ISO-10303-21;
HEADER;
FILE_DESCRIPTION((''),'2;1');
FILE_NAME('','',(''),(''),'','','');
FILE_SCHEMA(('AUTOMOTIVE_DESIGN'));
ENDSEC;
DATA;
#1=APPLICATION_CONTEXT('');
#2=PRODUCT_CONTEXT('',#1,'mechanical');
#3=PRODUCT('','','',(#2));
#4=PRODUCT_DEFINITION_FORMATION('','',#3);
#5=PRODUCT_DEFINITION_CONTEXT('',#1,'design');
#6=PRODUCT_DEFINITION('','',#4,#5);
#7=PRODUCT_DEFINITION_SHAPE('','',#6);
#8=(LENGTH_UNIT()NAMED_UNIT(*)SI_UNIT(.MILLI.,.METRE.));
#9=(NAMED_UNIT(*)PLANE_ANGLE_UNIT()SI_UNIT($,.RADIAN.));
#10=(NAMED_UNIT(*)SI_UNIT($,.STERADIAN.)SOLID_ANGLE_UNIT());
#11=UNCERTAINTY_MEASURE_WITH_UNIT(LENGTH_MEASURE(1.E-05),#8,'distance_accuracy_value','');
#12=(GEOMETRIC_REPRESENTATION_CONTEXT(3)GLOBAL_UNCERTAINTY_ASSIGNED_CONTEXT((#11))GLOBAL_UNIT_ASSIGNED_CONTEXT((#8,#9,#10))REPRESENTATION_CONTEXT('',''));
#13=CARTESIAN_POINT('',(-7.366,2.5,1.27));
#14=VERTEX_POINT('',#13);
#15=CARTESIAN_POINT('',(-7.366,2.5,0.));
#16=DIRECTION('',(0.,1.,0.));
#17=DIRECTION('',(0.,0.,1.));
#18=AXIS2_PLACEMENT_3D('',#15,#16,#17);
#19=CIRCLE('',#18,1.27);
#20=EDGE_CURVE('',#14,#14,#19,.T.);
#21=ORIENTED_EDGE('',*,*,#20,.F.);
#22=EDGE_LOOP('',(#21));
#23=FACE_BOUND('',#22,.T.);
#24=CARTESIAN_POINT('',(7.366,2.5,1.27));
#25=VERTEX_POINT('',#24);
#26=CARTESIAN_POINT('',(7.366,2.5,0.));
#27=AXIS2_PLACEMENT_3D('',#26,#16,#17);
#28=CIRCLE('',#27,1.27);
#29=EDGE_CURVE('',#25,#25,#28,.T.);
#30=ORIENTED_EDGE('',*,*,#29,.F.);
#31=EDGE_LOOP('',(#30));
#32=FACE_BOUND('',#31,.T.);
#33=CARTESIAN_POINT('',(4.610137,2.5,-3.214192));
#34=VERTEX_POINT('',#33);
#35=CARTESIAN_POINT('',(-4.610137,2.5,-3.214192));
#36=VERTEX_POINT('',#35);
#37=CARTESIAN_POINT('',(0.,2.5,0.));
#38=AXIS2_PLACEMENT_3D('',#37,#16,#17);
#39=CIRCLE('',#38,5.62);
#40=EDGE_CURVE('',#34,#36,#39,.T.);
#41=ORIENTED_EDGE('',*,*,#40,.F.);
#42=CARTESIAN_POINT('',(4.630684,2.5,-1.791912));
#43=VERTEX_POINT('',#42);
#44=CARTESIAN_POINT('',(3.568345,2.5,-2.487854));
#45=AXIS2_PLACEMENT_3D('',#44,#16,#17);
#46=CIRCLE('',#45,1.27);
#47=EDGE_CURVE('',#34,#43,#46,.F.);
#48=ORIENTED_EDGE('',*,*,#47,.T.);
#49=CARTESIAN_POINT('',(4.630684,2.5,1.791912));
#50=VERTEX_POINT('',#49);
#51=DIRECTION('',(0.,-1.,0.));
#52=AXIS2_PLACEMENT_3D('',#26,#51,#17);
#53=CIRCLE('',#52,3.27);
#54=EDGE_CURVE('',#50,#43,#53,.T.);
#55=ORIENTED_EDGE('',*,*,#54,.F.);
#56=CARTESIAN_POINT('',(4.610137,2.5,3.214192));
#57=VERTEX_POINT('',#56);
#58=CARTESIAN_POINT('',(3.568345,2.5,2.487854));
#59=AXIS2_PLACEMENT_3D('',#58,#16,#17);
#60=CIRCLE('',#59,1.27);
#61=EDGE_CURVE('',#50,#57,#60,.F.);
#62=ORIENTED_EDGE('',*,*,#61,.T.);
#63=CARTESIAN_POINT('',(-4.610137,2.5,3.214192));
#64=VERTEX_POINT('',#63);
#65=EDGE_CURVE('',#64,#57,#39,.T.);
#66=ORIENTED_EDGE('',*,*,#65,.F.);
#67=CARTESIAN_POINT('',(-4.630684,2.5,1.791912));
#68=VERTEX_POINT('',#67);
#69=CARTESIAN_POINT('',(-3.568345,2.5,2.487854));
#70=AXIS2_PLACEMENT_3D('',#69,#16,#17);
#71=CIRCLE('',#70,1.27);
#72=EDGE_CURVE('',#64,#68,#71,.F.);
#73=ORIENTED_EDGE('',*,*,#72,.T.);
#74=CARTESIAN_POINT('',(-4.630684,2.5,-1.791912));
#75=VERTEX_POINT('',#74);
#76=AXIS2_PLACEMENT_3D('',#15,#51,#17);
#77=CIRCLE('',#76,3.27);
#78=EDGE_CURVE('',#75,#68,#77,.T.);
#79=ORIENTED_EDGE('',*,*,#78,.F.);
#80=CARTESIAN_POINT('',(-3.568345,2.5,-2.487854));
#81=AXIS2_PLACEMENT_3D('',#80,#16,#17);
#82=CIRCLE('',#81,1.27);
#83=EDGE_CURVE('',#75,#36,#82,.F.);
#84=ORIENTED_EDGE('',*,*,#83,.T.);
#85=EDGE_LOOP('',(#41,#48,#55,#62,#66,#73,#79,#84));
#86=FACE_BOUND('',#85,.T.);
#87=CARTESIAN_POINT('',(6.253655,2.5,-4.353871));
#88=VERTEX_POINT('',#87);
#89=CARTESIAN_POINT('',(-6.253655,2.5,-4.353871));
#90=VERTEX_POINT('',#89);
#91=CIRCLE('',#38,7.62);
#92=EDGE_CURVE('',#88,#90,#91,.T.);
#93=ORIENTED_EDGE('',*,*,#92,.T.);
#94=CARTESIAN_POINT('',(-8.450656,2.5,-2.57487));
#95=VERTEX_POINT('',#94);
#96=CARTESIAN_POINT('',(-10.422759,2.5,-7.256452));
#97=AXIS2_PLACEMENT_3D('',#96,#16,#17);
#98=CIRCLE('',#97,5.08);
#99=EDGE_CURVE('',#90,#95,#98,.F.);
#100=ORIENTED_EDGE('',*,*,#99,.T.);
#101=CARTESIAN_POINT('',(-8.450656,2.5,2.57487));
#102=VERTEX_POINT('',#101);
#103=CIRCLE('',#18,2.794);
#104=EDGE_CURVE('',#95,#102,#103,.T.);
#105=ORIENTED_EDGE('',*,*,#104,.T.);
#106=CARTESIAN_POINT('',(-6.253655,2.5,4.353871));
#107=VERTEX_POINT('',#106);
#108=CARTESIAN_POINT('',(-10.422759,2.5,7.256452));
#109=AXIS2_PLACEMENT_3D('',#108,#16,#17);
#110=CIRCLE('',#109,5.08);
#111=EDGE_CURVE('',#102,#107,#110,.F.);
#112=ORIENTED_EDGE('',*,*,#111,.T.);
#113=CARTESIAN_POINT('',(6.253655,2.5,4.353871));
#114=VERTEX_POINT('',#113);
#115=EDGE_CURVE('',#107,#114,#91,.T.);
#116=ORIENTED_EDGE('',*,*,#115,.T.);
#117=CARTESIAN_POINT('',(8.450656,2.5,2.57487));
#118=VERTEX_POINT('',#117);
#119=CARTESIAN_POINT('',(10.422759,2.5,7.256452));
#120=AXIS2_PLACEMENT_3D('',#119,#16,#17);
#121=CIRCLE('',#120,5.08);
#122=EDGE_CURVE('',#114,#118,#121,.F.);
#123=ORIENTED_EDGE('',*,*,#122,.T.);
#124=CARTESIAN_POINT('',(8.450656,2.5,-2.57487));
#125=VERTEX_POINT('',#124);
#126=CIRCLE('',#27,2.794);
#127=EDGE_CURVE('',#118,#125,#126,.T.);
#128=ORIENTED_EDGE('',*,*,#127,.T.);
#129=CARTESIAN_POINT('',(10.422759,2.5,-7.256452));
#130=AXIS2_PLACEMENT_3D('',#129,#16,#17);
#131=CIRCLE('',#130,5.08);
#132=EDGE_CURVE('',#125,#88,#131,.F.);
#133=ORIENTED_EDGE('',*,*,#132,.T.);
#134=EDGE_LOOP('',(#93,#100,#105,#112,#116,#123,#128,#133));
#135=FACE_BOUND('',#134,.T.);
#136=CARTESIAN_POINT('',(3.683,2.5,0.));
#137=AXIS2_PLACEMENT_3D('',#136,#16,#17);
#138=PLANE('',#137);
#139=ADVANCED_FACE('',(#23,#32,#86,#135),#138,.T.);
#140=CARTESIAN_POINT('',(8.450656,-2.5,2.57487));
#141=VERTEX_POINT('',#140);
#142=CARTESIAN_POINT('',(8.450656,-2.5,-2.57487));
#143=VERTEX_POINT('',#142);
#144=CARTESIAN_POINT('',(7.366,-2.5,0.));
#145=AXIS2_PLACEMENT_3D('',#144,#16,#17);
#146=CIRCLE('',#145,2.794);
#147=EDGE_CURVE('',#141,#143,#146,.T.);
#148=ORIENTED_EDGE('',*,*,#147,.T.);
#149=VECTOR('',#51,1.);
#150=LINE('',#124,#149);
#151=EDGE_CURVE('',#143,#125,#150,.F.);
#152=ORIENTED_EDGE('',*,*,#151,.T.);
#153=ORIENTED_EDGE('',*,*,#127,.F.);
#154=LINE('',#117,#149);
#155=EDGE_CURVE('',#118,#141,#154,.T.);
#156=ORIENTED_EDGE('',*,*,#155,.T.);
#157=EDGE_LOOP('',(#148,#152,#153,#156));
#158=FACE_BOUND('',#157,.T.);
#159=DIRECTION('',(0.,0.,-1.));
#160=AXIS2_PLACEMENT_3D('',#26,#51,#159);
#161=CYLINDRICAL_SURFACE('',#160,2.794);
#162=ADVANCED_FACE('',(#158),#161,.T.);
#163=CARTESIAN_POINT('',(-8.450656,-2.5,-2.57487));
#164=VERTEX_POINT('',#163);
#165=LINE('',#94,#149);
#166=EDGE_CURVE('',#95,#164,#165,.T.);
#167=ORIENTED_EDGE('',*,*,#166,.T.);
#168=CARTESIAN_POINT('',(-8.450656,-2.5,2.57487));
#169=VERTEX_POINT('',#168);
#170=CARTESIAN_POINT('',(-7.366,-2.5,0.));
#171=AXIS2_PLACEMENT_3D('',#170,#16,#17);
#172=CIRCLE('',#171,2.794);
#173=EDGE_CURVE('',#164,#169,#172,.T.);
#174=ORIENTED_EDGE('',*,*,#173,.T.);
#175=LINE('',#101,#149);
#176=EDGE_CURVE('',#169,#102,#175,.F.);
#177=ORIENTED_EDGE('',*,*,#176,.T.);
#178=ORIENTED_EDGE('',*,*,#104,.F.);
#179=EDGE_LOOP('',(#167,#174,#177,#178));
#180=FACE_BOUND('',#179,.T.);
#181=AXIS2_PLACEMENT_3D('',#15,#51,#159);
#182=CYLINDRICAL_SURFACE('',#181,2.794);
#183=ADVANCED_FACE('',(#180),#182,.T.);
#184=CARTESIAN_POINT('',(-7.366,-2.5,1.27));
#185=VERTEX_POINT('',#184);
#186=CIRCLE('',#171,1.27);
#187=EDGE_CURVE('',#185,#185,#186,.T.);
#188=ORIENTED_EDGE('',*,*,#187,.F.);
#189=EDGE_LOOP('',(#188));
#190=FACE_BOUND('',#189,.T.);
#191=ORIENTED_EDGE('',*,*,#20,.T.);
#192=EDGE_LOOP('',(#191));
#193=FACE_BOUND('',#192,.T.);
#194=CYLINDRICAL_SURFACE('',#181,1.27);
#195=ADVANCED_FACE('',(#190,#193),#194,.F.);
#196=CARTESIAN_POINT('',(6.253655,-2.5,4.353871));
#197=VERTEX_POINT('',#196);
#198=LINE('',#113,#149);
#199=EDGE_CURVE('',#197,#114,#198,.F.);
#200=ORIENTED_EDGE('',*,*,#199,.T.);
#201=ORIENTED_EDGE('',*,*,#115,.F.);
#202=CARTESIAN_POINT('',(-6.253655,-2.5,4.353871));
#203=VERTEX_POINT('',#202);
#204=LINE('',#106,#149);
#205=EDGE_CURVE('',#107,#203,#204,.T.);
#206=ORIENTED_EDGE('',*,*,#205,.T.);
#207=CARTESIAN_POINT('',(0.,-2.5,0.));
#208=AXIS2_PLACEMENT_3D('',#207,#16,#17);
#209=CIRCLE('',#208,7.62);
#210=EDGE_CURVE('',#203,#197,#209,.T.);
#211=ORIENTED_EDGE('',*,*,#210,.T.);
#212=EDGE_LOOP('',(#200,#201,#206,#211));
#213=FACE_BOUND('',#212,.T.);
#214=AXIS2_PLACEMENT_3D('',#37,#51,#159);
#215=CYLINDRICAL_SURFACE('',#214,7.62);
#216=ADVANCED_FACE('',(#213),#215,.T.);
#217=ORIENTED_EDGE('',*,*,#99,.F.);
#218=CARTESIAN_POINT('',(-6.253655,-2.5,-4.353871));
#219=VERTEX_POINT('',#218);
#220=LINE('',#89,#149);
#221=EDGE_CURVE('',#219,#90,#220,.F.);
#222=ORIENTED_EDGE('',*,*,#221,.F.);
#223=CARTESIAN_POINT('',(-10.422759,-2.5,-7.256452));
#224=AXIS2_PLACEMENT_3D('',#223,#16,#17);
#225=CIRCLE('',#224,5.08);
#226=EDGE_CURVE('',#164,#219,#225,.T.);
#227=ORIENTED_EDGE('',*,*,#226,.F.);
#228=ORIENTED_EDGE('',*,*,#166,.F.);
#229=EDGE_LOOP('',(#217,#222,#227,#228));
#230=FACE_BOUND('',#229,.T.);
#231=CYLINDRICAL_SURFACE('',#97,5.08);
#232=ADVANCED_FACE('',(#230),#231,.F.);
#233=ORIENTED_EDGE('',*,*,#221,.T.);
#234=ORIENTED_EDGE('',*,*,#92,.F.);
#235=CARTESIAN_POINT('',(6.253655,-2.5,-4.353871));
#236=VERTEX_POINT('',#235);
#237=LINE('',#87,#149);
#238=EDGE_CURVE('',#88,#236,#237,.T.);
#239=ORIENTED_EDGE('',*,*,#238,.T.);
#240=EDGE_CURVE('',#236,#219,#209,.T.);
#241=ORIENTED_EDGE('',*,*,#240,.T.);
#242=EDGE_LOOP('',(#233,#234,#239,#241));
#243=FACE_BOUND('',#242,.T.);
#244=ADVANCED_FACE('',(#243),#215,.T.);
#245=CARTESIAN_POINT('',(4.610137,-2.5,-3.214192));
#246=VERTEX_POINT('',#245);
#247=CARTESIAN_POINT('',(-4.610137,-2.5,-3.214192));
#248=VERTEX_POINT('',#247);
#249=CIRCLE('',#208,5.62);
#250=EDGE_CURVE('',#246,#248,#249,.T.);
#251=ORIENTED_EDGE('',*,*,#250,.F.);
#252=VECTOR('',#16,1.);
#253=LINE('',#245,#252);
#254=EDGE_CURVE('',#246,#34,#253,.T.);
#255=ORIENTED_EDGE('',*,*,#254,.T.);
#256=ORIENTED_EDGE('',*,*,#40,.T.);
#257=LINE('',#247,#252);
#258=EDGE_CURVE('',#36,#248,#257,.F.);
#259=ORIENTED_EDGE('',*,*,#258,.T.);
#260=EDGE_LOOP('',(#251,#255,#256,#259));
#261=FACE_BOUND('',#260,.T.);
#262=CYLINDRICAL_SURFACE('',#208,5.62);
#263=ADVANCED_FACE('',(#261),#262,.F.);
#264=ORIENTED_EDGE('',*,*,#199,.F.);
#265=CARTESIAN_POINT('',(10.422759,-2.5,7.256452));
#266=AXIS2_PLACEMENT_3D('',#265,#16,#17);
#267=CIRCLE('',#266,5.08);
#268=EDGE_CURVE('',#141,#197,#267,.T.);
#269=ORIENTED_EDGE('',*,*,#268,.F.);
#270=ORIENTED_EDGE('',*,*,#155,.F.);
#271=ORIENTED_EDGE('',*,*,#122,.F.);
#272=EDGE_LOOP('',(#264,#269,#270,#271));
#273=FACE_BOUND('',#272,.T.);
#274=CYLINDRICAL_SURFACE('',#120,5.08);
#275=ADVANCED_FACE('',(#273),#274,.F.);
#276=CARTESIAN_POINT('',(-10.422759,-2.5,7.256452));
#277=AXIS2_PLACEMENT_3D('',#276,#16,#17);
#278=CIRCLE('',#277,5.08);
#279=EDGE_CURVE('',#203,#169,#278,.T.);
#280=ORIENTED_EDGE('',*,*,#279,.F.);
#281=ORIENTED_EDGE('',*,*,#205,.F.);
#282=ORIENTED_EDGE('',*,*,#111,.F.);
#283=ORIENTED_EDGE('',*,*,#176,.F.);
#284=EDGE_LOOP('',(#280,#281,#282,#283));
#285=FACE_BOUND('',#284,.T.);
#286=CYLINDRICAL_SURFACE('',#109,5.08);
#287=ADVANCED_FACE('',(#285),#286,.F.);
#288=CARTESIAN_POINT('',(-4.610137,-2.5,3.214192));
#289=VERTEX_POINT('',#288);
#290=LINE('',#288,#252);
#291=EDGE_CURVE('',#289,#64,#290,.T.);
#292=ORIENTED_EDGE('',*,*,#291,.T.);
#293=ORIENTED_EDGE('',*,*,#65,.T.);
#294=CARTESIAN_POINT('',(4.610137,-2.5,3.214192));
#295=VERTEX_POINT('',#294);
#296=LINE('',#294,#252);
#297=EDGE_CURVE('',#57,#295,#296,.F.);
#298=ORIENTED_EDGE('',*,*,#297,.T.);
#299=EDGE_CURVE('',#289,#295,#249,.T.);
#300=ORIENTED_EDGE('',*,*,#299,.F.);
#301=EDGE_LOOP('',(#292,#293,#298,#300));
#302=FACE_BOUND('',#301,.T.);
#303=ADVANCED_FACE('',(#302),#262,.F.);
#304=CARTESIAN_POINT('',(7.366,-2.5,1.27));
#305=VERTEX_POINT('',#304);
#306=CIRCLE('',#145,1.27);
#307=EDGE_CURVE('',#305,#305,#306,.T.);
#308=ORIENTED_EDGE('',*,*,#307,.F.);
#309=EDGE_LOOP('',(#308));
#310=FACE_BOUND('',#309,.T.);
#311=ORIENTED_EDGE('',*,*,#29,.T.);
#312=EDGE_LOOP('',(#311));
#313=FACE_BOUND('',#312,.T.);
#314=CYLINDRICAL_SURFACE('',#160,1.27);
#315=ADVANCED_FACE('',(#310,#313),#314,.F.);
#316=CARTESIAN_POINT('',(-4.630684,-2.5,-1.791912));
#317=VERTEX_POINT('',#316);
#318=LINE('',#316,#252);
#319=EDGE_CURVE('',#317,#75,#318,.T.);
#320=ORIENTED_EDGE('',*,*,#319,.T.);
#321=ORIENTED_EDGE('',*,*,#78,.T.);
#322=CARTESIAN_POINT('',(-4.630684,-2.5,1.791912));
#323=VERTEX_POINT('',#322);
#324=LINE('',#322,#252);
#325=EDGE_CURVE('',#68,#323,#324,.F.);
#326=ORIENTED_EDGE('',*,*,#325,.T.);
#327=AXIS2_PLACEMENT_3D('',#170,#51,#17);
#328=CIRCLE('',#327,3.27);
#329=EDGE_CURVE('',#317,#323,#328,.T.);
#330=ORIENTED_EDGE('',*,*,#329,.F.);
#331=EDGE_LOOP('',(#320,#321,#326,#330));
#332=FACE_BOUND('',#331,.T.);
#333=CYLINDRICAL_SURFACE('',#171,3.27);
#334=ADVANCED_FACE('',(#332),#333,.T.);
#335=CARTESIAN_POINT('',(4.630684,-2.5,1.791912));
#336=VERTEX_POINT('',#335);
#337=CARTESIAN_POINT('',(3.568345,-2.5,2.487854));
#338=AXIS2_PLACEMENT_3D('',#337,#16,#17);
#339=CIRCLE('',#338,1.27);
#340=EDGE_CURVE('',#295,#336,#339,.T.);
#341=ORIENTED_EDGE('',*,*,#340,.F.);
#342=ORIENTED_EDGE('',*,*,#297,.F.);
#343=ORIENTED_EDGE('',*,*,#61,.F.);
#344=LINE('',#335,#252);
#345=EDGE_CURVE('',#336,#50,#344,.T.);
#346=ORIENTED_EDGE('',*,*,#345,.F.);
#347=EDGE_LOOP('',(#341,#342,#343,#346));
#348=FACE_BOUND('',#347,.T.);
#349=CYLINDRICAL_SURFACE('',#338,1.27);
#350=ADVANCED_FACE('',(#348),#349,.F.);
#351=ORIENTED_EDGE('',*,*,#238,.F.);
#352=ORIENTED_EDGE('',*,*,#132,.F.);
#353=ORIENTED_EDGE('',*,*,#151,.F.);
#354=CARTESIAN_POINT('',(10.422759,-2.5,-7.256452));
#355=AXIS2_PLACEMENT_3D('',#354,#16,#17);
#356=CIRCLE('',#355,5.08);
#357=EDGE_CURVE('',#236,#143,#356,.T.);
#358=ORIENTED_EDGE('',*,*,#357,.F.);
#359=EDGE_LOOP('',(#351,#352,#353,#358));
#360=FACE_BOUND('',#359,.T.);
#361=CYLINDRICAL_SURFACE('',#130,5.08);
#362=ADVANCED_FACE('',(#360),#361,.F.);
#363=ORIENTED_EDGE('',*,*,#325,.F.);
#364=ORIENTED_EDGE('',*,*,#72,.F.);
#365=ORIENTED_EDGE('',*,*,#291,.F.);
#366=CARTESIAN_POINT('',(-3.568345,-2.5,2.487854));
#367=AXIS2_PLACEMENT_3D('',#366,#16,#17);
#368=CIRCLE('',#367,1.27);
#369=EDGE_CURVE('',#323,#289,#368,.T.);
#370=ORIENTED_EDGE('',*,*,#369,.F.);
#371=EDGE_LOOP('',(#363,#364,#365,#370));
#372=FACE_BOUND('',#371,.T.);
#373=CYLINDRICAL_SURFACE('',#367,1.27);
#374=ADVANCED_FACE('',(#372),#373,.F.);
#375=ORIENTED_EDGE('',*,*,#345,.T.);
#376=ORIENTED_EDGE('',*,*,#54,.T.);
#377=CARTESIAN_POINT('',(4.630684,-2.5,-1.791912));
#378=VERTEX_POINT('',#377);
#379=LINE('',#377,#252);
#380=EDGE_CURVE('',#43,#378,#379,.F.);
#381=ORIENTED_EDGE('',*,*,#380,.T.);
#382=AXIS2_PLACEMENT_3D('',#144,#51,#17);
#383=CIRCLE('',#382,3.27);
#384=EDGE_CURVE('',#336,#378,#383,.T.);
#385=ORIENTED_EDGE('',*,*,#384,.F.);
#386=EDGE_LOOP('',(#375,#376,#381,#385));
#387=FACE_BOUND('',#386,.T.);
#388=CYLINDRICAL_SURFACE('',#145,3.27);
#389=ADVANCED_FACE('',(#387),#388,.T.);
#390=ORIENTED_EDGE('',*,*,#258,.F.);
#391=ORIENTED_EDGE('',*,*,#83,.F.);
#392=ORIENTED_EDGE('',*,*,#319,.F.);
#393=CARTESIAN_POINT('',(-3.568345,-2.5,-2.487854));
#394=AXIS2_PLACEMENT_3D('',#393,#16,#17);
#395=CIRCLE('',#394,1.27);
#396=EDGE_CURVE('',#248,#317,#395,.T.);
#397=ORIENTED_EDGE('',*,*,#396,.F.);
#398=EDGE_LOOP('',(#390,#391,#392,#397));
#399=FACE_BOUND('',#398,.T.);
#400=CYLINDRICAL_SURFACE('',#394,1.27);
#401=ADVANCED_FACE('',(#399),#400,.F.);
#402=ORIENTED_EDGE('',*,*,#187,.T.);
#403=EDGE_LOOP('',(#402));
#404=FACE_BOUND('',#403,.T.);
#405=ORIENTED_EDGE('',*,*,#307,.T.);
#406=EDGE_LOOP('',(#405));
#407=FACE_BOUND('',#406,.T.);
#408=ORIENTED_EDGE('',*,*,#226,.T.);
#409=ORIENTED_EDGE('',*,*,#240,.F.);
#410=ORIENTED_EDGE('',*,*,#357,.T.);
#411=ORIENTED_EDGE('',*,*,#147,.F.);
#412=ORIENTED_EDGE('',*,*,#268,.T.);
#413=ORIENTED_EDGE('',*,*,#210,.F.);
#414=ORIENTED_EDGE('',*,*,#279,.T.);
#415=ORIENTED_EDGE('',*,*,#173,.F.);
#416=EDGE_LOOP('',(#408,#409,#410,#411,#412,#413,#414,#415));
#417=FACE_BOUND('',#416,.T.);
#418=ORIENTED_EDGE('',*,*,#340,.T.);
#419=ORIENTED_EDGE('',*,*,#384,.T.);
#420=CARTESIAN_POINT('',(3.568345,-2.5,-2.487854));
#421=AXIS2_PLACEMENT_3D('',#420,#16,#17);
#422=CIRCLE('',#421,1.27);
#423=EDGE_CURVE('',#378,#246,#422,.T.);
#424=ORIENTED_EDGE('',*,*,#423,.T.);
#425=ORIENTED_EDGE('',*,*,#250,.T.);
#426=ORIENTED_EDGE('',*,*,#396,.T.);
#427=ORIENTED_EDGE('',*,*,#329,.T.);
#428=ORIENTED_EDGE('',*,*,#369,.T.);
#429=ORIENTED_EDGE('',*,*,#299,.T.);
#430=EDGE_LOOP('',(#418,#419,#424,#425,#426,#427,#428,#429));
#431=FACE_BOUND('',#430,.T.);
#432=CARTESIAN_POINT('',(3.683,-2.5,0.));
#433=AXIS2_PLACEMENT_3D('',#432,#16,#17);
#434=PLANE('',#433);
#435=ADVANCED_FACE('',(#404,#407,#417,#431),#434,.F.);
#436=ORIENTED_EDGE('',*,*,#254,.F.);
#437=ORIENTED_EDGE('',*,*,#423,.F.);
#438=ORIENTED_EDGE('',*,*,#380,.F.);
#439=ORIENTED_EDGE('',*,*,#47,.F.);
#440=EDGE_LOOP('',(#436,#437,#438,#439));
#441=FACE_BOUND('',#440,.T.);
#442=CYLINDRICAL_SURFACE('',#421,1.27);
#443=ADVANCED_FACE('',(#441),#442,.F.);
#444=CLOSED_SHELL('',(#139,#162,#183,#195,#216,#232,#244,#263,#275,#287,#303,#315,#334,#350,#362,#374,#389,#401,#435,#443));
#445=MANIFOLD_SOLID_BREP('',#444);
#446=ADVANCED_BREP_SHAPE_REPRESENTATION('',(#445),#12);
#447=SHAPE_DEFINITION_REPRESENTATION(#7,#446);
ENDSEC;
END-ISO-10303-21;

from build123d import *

# Parameters (mm, degrees)
SKETCH1_R           = 1.27
BOSS_EXTRUDE1_DEPTH = 2.5
FILLET1_R           = 5.08
CUT_EXTRUDE1_DEPTH  = 14.648809639
FILLET2_R           = 1.27


with BuildPart() as part:
    # Sketch1 → Boss-Extrude1 (new, symmetric)
    with BuildSketch(Plane(origin=(0, 0, 0), x_dir=(1, 0, 0), z_dir=(0, 1, 0))):
        with BuildLine():
            ThreePointArc((7.094482759, 2.780775861), (0, 7.62), (-7.094482759, 2.780775861))
            ThreePointArc((-7.094482759, 2.780775861), (-10.16, 0), (-7.094482759, -2.780775861))
            ThreePointArc((-7.094482759, -2.780775861), (0, -7.62), (7.094482759, -2.780775861))
            ThreePointArc((7.094482759, -2.780775861), (10.16, 0), (7.094482759, 2.780775861))
        make_face()
        with Locations((7.366, 0)):
            Circle(SKETCH1_R, mode=Mode.SUBTRACT)
        with Locations((-7.366, 0)):
            Circle(SKETCH1_R, mode=Mode.SUBTRACT)
    extrude(amount=BOSS_EXTRUDE1_DEPTH, both=True)

    # Fillet1
    fillet1_edges = [part.edges().sort_by_distance(p)[0] for p in [
        (7.094482759, 0, -2.780775861),
        (-7.094482759, 0, -2.780775861),
        (-7.094482759, 0, 2.780775861),
        (7.094482759, 0, 2.780775861),
    ]]
    fillet(fillet1_edges, radius=FILLET1_R)

    # Sketch2 → Cut-Extrude1 (cut, through all)
    with BuildSketch(Plane(origin=(0, 2.5, 0), x_dir=(1, 0, 0), z_dir=(0, 1, 0))):
        with BuildLine():
            ThreePointArc((5.213513626, 2.46164628), (4.096, 0), (5.213513626, -2.46164628))
            ThreePointArc((5.213513626, -2.46164628), (4.900166041, -2.826173582), (4.612275862, -3.21112307))
            ThreePointArc((4.612275862, -3.21112307), (0, -5.62), (-4.612275862, -3.21112307))
            ThreePointArc((-4.612275862, -3.21112307), (-4.900166041, -2.826173582), (-5.213513626, -2.46164628))
            ThreePointArc((-5.213513626, -2.46164628), (-4.096, 0), (-5.213513626, 2.46164628))
            ThreePointArc((-5.213513626, 2.46164628), (-4.900166041, 2.826173582), (-4.612275862, 3.21112307))
            ThreePointArc((-4.612275862, 3.21112307), (0, 5.62), (4.612275862, 3.21112307))
            ThreePointArc((4.612275862, 3.21112307), (4.900166041, 2.826173582), (5.213513626, 2.46164628))
        make_face()
    extrude(amount=-CUT_EXTRUDE1_DEPTH, mode=Mode.SUBTRACT)

    # Fillet2
    fillet2_edges = [part.edges().sort_by_distance(p)[0] for p in [
        (5.213513626, 0, -2.46164628),
        (-5.213513626, 0, -2.46164628),
        (-5.213513626, 0, 2.46164628),
        (5.213513626, 0, 2.46164628),
    ]]
    fillet(fillet2_edges, radius=FILLET2_R)


solid = part.part
